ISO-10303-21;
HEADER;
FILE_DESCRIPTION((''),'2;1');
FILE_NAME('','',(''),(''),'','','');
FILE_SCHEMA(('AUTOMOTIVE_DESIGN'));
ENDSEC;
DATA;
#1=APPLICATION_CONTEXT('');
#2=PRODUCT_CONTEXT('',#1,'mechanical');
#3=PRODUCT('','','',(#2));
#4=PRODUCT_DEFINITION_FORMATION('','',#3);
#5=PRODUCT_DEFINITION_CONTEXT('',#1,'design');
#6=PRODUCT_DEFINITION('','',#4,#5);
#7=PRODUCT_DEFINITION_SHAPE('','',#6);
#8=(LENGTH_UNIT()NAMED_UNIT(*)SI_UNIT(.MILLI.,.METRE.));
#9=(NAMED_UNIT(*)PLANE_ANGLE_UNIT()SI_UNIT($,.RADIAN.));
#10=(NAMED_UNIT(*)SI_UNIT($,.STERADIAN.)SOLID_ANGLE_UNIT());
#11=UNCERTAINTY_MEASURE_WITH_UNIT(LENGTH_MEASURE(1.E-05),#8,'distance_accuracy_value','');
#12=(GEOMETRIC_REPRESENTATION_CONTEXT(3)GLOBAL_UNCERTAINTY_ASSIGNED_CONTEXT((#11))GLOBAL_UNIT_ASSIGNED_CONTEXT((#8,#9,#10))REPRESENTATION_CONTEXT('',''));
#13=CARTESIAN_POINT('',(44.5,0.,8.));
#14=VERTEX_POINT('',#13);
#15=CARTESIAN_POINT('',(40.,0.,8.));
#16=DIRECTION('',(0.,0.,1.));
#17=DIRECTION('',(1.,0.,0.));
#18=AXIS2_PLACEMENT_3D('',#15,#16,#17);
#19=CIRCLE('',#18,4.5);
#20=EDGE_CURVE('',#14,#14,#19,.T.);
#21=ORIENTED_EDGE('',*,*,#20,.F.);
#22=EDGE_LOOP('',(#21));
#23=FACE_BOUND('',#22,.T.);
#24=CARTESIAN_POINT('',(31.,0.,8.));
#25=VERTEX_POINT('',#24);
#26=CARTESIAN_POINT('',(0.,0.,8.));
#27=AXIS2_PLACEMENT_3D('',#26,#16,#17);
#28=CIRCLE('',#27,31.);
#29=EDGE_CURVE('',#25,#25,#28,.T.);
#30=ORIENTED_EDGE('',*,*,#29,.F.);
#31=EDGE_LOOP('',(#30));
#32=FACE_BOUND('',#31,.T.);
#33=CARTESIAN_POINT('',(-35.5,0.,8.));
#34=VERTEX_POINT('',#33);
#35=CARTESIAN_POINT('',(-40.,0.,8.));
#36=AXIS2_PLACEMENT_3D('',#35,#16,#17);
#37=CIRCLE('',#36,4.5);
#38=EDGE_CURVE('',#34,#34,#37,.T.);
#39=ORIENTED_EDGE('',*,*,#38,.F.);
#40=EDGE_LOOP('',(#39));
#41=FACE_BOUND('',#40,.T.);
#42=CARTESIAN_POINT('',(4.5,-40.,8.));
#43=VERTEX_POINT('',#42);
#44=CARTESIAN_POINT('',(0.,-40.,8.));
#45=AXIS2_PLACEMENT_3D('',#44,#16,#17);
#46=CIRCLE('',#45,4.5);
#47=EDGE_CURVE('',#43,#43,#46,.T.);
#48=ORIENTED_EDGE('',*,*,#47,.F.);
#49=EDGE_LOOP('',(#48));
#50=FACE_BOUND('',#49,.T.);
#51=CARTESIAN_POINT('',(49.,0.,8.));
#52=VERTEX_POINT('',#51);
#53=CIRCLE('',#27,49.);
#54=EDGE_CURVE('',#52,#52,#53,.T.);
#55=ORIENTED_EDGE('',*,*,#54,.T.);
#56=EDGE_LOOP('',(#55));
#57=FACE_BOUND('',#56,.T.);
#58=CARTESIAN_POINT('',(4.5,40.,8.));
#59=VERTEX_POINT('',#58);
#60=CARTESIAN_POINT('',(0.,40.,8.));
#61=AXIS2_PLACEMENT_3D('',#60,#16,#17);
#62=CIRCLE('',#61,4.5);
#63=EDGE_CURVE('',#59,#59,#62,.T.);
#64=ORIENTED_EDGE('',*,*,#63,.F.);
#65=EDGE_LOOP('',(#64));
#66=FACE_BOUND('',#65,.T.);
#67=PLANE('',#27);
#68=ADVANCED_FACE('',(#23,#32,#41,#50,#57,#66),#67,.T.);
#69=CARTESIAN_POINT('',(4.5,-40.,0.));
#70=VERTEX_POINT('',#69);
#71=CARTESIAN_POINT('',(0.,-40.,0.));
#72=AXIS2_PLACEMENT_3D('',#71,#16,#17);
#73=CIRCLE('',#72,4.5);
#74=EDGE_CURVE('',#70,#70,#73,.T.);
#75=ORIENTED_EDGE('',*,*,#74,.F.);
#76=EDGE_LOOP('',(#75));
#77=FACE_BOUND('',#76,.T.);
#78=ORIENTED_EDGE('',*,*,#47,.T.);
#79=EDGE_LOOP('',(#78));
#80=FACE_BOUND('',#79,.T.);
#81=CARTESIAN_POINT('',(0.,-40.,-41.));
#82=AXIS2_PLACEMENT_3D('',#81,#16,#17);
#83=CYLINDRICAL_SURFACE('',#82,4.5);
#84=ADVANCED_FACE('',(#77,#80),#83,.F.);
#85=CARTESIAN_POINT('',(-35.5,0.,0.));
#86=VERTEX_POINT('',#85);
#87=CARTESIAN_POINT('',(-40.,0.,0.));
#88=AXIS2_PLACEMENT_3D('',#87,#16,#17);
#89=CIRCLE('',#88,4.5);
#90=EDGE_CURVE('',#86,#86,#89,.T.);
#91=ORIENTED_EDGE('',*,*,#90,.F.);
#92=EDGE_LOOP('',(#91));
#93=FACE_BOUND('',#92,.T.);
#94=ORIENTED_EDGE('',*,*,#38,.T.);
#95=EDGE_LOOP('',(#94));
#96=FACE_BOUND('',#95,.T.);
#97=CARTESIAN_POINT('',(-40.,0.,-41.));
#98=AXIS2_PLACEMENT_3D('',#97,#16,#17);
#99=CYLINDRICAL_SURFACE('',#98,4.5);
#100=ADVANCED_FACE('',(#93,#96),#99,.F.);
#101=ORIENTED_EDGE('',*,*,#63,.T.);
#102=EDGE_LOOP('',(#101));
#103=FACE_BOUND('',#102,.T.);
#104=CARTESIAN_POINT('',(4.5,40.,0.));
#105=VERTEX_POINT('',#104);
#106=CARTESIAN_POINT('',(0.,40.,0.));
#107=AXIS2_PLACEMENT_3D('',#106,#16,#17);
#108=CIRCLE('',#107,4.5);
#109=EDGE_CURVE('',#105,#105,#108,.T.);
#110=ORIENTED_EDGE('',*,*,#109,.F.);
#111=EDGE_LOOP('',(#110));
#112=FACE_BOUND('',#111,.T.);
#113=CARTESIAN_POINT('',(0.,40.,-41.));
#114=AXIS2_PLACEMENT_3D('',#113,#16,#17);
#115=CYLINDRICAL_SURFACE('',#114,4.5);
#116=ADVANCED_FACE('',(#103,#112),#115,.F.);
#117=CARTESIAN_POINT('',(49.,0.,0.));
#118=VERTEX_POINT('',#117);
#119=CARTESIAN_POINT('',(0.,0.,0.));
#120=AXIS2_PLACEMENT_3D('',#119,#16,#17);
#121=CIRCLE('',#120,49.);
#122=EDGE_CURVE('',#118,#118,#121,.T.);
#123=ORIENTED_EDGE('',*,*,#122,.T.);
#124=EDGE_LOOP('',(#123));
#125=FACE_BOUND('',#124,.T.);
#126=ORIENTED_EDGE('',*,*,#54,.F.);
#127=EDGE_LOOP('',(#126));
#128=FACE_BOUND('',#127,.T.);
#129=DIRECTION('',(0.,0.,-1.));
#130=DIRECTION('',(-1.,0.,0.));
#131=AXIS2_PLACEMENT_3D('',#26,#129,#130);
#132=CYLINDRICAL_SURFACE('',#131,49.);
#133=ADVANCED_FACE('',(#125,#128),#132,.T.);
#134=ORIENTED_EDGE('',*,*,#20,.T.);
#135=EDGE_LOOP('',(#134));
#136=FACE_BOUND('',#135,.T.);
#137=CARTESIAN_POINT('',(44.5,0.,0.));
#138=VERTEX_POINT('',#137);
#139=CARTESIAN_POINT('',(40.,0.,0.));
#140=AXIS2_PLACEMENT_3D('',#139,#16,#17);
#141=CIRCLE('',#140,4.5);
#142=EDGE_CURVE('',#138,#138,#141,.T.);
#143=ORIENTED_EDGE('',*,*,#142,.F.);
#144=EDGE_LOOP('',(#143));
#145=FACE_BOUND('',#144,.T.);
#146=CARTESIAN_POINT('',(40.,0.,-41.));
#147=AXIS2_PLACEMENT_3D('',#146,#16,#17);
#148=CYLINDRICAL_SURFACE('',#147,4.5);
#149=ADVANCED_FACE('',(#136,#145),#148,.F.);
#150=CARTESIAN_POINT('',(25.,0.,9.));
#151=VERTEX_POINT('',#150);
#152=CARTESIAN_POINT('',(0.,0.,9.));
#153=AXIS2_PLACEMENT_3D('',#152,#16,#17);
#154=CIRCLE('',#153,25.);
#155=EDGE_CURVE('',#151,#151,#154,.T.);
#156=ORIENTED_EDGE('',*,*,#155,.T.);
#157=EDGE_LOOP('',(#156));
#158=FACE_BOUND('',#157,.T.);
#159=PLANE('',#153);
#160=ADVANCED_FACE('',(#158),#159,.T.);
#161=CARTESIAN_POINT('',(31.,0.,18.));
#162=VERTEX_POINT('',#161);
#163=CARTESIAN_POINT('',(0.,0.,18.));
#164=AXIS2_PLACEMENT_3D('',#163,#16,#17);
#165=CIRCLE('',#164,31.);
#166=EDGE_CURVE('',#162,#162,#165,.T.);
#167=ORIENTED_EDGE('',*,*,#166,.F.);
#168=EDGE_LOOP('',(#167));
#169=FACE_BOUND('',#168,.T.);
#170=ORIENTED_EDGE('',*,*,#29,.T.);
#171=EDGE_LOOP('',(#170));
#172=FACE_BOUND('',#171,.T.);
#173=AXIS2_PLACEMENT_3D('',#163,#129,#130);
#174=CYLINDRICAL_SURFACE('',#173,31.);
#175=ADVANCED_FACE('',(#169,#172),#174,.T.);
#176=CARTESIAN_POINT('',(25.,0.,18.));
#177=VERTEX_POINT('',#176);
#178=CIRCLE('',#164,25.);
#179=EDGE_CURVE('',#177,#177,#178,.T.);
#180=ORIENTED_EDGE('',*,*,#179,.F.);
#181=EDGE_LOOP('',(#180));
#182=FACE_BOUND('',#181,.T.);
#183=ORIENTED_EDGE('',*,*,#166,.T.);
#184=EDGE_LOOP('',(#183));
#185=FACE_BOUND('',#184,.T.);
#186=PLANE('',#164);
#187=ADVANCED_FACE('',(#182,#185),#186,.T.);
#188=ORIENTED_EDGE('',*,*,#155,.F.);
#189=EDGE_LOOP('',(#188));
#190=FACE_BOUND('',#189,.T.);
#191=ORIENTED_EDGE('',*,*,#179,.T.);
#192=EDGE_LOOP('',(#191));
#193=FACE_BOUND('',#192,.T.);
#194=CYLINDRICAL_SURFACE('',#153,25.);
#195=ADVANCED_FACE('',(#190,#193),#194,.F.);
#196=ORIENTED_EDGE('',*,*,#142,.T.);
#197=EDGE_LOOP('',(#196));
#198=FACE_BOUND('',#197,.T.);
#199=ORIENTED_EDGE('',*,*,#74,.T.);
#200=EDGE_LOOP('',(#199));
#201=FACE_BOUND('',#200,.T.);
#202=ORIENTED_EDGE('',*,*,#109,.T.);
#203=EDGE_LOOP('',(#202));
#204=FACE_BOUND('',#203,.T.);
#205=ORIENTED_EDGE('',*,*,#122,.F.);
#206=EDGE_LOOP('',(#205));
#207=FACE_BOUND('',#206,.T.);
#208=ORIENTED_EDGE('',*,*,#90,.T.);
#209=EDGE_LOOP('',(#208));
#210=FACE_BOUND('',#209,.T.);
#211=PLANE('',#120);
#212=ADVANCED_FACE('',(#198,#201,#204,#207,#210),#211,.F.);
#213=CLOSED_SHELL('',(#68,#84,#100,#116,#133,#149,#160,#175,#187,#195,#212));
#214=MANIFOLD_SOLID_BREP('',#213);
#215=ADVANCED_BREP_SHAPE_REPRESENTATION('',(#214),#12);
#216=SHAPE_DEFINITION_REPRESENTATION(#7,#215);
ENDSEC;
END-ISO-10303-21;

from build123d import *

# Parameters (mm, degrees)
SKETCH_1_R          = 49
EXTRUDE_1_DEPTH     = 8
SKETCH_2_R          = 31
EXTRUDE_2_DEPTH     = 10
SKETCH_3_R          = 25
CUT_EXTRUDE_1_DEPTH = 9
SKETCH_4_R          = 4.5
CUT_EXTRUDE_2_DEPTH = 49


with BuildPart() as part:
    # 草图1 → 凸台-拉伸1 (new body)
    with BuildSketch(Plane.XY):
        Circle(SKETCH_1_R)
    extrude(amount=EXTRUDE_1_DEPTH)

    # 草图2 → 凸台-拉伸2 (add)
    with BuildSketch(Plane.XY.offset(8)):
        Circle(SKETCH_2_R)
    extrude(amount=EXTRUDE_2_DEPTH)

    # 草图3 → 切除-拉伸1 (cut)
    with BuildSketch(Plane.XY.offset(18)):
        Circle(SKETCH_3_R)
    extrude(amount=-CUT_EXTRUDE_1_DEPTH, mode=Mode.SUBTRACT)

    # 草图4 → 切除-拉伸2 (cut)
    with BuildSketch(Plane.XY.offset(8)):
        with Locations((0, 40)):
            Circle(SKETCH_4_R)
        with Locations((40, 0)):
            Circle(SKETCH_4_R)
        with Locations((0, -40)):
            Circle(SKETCH_4_R)
        with Locations((-40, 0)):
            Circle(SKETCH_4_R)
    extrude(amount=-CUT_EXTRUDE_2_DEPTH, mode=Mode.SUBTRACT)


solid = part.part
